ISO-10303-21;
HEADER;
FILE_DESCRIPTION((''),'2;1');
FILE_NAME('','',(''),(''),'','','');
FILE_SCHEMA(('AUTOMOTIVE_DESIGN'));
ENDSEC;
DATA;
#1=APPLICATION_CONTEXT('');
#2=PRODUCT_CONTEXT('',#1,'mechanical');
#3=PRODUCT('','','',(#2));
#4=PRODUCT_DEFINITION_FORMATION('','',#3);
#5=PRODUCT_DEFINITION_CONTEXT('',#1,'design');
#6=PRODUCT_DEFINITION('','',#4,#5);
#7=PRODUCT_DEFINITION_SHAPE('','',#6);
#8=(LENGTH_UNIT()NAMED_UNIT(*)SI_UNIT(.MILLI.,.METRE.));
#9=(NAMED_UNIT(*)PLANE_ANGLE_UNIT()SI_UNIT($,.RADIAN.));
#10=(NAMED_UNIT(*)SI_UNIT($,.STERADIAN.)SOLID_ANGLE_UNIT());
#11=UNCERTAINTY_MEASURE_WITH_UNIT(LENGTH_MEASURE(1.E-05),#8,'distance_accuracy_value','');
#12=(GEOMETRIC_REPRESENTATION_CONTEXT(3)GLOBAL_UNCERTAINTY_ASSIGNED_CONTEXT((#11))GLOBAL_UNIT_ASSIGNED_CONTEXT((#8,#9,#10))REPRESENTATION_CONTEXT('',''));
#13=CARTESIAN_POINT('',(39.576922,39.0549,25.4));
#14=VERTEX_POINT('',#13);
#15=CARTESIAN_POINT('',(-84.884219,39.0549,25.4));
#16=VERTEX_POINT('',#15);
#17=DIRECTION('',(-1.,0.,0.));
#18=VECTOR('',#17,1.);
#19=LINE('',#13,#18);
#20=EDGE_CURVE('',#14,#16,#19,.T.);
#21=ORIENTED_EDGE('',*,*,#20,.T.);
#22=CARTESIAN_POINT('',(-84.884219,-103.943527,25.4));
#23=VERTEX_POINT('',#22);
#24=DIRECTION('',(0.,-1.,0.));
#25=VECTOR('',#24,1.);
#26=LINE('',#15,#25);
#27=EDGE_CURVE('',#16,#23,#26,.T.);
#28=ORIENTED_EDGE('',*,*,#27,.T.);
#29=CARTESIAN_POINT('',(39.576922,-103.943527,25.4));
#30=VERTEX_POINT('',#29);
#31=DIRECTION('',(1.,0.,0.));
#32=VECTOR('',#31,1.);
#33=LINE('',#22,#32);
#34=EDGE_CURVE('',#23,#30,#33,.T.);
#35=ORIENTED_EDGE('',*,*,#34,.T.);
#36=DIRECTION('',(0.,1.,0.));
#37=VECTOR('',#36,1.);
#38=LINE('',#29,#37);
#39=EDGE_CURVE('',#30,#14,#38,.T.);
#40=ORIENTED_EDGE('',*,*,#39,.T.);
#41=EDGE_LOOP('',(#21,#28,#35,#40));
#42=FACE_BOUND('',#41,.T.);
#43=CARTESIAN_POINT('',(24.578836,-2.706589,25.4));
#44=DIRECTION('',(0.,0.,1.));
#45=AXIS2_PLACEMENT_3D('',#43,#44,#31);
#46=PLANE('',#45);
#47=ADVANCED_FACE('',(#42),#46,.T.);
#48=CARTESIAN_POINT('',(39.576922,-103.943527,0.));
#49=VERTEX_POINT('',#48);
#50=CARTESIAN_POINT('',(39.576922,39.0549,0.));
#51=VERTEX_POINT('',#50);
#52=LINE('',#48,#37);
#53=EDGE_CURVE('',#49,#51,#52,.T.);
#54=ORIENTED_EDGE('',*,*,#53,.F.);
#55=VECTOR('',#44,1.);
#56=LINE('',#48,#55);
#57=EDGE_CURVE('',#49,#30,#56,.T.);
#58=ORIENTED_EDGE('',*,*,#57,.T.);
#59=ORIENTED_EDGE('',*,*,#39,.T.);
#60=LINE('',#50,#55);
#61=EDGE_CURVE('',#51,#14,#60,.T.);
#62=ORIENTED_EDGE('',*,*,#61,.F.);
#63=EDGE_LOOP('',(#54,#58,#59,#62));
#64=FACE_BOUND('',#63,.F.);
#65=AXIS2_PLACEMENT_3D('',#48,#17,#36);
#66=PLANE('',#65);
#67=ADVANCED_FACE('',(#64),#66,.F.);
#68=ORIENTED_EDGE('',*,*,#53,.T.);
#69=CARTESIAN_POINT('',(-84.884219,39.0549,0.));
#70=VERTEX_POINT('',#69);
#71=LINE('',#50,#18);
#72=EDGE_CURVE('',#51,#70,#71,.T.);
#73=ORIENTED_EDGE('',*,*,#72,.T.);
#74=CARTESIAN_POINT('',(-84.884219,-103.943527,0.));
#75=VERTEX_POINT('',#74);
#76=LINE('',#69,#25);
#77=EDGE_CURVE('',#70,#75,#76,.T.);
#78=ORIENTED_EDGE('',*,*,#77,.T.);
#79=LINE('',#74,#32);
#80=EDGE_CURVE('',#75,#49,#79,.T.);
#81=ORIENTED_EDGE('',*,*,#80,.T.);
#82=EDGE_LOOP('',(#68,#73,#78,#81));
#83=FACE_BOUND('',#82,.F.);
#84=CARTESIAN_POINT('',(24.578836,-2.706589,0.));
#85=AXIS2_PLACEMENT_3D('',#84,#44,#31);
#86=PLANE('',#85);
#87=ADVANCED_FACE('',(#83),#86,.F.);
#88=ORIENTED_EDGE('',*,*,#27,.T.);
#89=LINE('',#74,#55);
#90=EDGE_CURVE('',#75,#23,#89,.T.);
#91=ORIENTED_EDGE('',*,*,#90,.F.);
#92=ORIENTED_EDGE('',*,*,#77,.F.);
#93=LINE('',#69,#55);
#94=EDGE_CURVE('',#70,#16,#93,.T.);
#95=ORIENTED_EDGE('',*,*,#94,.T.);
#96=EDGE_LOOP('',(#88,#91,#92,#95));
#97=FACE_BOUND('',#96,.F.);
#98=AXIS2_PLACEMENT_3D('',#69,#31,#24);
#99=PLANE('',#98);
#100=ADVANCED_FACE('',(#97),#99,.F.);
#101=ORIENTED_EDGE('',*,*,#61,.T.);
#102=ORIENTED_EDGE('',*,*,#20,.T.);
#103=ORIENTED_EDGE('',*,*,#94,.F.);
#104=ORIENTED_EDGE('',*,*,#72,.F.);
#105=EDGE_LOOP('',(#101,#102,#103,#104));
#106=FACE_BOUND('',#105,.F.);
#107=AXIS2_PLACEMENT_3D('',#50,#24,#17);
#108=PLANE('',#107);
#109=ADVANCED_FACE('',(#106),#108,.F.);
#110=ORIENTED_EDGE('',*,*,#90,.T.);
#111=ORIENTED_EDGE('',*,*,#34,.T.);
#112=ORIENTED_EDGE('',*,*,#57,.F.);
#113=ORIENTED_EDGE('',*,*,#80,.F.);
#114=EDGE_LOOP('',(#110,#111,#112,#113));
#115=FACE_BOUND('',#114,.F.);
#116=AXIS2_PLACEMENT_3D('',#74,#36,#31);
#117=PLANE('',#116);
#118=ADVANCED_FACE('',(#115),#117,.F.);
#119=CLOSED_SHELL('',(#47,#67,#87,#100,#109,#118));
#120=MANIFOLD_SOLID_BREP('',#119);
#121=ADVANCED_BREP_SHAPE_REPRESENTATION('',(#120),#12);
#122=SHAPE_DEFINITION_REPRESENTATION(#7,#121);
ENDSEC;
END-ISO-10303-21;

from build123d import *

# Parameters (mm, degrees)
F1_DEPTH = 25.4


with BuildPart() as f1:
    # F0 (on Top) → F1 (new body)
    with BuildSketch(Plane.XY):
        Polygon((-4.723144, 39.0549), (0, 10.050763), (37.328927, -56.744156), (39.576922, -60.766629), (39.576922, 39.0549), align=None)
        Polygon((37.328927, -56.744156), (0, 10.050763), (-4.723144, 39.0549), (-84.884219, 39.0549), (-84.884219, -103.943527), (39.576922, -103.943527), (39.576922, -60.766629), align=None)
    extrude(amount=F1_DEPTH)


solid = f1.part
